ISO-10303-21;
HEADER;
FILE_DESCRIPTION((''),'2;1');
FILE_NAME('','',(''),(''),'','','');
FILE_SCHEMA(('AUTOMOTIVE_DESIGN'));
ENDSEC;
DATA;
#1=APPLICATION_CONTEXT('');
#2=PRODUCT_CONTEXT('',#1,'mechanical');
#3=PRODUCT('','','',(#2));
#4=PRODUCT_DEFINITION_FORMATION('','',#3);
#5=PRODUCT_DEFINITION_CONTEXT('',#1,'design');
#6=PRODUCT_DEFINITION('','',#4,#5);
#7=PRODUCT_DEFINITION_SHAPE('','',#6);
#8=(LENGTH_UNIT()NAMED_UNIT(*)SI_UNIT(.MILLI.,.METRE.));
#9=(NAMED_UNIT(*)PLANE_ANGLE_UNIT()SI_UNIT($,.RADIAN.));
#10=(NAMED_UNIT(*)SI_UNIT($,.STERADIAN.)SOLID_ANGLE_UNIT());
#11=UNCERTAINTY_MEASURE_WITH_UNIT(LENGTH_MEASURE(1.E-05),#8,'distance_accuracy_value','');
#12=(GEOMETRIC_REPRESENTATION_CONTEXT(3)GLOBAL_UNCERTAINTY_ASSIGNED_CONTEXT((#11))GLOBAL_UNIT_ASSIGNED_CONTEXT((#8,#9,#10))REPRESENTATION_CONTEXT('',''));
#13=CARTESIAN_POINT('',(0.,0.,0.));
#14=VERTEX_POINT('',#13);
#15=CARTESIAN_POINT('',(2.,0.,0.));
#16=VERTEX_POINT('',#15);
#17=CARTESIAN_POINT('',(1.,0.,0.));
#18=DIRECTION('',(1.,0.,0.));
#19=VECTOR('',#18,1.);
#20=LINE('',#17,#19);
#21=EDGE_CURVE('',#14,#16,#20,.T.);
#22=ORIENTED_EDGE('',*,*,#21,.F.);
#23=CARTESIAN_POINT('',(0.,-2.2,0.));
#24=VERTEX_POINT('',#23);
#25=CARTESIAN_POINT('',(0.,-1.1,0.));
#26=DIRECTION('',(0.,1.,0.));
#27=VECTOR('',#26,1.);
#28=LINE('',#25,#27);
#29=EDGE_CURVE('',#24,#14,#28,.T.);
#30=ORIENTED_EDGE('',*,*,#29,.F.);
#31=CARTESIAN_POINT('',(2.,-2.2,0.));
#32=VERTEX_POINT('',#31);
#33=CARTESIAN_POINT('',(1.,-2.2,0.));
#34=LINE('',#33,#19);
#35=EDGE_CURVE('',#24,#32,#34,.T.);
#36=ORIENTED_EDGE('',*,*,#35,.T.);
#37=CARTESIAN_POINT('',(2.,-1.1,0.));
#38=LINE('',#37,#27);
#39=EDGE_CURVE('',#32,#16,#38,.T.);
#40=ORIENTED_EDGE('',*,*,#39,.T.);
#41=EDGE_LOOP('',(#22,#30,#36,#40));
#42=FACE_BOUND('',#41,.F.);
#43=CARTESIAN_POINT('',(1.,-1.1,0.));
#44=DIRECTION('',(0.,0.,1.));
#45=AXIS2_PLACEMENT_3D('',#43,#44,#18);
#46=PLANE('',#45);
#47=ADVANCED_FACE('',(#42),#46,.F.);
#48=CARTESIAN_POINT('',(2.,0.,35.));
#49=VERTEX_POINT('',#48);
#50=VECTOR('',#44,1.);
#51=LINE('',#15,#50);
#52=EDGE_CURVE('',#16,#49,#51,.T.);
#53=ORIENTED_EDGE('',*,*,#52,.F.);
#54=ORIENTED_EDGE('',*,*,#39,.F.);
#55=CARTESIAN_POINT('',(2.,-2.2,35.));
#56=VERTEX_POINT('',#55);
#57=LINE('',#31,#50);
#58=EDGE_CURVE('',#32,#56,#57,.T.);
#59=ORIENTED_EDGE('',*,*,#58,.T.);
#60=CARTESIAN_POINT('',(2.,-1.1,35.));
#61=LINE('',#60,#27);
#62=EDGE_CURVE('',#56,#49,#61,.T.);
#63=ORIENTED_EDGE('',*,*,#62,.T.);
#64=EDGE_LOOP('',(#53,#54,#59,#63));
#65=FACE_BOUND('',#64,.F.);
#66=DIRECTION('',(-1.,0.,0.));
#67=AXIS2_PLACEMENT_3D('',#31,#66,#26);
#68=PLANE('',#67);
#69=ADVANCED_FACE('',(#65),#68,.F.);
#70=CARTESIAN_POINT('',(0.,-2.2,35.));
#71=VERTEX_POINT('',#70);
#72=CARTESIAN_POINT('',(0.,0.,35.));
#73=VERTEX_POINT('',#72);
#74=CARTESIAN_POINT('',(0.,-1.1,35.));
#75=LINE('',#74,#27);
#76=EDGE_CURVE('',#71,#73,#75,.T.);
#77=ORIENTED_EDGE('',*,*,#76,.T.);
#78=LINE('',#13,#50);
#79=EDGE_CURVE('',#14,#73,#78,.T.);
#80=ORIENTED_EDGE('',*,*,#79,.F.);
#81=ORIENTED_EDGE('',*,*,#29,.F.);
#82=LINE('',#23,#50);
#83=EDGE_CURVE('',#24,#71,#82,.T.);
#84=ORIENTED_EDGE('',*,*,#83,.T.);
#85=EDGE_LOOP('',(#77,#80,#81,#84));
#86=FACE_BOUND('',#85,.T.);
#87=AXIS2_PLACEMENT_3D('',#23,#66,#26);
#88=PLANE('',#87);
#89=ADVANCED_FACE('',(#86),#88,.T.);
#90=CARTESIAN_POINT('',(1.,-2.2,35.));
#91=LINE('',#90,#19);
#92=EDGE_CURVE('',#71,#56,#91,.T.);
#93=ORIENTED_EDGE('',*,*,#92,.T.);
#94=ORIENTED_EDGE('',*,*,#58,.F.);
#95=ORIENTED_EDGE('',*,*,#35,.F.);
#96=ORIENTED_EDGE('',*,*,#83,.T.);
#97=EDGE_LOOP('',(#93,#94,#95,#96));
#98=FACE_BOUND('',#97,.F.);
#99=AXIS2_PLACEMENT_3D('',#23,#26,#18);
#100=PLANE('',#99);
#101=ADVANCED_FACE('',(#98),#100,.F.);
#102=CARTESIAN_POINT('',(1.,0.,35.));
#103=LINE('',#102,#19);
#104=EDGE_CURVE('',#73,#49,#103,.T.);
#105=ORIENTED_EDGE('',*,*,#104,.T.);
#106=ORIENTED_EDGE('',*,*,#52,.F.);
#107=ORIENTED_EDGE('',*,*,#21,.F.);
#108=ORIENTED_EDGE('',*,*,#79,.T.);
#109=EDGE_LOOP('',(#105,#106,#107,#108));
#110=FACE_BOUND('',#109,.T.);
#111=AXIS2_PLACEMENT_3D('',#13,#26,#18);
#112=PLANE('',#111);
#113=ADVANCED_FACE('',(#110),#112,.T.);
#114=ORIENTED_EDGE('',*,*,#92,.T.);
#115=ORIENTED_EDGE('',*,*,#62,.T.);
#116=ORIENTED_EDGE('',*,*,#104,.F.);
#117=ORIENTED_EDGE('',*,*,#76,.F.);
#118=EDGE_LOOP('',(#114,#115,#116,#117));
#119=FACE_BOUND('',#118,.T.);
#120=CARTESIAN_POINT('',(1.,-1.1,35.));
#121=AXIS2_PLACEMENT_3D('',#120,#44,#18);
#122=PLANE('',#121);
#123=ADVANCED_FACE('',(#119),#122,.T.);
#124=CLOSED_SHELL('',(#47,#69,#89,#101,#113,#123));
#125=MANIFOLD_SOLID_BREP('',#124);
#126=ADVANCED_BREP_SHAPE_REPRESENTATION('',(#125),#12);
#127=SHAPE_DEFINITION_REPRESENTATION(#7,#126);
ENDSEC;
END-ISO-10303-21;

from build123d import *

# Parameters (mm, degrees)
SKETCH_1_W      = 2
SKETCH_1_H      = 2.2
EXTRUDE_1_DEPTH = 35


with BuildPart() as part:
    # 草图1 → 凸台-拉伸1 (new body)
    with BuildSketch(Plane.XY):
        with Locations((1, -1.1)):
            Rectangle(SKETCH_1_W, SKETCH_1_H)
    extrude(amount=EXTRUDE_1_DEPTH)


solid = part.part
